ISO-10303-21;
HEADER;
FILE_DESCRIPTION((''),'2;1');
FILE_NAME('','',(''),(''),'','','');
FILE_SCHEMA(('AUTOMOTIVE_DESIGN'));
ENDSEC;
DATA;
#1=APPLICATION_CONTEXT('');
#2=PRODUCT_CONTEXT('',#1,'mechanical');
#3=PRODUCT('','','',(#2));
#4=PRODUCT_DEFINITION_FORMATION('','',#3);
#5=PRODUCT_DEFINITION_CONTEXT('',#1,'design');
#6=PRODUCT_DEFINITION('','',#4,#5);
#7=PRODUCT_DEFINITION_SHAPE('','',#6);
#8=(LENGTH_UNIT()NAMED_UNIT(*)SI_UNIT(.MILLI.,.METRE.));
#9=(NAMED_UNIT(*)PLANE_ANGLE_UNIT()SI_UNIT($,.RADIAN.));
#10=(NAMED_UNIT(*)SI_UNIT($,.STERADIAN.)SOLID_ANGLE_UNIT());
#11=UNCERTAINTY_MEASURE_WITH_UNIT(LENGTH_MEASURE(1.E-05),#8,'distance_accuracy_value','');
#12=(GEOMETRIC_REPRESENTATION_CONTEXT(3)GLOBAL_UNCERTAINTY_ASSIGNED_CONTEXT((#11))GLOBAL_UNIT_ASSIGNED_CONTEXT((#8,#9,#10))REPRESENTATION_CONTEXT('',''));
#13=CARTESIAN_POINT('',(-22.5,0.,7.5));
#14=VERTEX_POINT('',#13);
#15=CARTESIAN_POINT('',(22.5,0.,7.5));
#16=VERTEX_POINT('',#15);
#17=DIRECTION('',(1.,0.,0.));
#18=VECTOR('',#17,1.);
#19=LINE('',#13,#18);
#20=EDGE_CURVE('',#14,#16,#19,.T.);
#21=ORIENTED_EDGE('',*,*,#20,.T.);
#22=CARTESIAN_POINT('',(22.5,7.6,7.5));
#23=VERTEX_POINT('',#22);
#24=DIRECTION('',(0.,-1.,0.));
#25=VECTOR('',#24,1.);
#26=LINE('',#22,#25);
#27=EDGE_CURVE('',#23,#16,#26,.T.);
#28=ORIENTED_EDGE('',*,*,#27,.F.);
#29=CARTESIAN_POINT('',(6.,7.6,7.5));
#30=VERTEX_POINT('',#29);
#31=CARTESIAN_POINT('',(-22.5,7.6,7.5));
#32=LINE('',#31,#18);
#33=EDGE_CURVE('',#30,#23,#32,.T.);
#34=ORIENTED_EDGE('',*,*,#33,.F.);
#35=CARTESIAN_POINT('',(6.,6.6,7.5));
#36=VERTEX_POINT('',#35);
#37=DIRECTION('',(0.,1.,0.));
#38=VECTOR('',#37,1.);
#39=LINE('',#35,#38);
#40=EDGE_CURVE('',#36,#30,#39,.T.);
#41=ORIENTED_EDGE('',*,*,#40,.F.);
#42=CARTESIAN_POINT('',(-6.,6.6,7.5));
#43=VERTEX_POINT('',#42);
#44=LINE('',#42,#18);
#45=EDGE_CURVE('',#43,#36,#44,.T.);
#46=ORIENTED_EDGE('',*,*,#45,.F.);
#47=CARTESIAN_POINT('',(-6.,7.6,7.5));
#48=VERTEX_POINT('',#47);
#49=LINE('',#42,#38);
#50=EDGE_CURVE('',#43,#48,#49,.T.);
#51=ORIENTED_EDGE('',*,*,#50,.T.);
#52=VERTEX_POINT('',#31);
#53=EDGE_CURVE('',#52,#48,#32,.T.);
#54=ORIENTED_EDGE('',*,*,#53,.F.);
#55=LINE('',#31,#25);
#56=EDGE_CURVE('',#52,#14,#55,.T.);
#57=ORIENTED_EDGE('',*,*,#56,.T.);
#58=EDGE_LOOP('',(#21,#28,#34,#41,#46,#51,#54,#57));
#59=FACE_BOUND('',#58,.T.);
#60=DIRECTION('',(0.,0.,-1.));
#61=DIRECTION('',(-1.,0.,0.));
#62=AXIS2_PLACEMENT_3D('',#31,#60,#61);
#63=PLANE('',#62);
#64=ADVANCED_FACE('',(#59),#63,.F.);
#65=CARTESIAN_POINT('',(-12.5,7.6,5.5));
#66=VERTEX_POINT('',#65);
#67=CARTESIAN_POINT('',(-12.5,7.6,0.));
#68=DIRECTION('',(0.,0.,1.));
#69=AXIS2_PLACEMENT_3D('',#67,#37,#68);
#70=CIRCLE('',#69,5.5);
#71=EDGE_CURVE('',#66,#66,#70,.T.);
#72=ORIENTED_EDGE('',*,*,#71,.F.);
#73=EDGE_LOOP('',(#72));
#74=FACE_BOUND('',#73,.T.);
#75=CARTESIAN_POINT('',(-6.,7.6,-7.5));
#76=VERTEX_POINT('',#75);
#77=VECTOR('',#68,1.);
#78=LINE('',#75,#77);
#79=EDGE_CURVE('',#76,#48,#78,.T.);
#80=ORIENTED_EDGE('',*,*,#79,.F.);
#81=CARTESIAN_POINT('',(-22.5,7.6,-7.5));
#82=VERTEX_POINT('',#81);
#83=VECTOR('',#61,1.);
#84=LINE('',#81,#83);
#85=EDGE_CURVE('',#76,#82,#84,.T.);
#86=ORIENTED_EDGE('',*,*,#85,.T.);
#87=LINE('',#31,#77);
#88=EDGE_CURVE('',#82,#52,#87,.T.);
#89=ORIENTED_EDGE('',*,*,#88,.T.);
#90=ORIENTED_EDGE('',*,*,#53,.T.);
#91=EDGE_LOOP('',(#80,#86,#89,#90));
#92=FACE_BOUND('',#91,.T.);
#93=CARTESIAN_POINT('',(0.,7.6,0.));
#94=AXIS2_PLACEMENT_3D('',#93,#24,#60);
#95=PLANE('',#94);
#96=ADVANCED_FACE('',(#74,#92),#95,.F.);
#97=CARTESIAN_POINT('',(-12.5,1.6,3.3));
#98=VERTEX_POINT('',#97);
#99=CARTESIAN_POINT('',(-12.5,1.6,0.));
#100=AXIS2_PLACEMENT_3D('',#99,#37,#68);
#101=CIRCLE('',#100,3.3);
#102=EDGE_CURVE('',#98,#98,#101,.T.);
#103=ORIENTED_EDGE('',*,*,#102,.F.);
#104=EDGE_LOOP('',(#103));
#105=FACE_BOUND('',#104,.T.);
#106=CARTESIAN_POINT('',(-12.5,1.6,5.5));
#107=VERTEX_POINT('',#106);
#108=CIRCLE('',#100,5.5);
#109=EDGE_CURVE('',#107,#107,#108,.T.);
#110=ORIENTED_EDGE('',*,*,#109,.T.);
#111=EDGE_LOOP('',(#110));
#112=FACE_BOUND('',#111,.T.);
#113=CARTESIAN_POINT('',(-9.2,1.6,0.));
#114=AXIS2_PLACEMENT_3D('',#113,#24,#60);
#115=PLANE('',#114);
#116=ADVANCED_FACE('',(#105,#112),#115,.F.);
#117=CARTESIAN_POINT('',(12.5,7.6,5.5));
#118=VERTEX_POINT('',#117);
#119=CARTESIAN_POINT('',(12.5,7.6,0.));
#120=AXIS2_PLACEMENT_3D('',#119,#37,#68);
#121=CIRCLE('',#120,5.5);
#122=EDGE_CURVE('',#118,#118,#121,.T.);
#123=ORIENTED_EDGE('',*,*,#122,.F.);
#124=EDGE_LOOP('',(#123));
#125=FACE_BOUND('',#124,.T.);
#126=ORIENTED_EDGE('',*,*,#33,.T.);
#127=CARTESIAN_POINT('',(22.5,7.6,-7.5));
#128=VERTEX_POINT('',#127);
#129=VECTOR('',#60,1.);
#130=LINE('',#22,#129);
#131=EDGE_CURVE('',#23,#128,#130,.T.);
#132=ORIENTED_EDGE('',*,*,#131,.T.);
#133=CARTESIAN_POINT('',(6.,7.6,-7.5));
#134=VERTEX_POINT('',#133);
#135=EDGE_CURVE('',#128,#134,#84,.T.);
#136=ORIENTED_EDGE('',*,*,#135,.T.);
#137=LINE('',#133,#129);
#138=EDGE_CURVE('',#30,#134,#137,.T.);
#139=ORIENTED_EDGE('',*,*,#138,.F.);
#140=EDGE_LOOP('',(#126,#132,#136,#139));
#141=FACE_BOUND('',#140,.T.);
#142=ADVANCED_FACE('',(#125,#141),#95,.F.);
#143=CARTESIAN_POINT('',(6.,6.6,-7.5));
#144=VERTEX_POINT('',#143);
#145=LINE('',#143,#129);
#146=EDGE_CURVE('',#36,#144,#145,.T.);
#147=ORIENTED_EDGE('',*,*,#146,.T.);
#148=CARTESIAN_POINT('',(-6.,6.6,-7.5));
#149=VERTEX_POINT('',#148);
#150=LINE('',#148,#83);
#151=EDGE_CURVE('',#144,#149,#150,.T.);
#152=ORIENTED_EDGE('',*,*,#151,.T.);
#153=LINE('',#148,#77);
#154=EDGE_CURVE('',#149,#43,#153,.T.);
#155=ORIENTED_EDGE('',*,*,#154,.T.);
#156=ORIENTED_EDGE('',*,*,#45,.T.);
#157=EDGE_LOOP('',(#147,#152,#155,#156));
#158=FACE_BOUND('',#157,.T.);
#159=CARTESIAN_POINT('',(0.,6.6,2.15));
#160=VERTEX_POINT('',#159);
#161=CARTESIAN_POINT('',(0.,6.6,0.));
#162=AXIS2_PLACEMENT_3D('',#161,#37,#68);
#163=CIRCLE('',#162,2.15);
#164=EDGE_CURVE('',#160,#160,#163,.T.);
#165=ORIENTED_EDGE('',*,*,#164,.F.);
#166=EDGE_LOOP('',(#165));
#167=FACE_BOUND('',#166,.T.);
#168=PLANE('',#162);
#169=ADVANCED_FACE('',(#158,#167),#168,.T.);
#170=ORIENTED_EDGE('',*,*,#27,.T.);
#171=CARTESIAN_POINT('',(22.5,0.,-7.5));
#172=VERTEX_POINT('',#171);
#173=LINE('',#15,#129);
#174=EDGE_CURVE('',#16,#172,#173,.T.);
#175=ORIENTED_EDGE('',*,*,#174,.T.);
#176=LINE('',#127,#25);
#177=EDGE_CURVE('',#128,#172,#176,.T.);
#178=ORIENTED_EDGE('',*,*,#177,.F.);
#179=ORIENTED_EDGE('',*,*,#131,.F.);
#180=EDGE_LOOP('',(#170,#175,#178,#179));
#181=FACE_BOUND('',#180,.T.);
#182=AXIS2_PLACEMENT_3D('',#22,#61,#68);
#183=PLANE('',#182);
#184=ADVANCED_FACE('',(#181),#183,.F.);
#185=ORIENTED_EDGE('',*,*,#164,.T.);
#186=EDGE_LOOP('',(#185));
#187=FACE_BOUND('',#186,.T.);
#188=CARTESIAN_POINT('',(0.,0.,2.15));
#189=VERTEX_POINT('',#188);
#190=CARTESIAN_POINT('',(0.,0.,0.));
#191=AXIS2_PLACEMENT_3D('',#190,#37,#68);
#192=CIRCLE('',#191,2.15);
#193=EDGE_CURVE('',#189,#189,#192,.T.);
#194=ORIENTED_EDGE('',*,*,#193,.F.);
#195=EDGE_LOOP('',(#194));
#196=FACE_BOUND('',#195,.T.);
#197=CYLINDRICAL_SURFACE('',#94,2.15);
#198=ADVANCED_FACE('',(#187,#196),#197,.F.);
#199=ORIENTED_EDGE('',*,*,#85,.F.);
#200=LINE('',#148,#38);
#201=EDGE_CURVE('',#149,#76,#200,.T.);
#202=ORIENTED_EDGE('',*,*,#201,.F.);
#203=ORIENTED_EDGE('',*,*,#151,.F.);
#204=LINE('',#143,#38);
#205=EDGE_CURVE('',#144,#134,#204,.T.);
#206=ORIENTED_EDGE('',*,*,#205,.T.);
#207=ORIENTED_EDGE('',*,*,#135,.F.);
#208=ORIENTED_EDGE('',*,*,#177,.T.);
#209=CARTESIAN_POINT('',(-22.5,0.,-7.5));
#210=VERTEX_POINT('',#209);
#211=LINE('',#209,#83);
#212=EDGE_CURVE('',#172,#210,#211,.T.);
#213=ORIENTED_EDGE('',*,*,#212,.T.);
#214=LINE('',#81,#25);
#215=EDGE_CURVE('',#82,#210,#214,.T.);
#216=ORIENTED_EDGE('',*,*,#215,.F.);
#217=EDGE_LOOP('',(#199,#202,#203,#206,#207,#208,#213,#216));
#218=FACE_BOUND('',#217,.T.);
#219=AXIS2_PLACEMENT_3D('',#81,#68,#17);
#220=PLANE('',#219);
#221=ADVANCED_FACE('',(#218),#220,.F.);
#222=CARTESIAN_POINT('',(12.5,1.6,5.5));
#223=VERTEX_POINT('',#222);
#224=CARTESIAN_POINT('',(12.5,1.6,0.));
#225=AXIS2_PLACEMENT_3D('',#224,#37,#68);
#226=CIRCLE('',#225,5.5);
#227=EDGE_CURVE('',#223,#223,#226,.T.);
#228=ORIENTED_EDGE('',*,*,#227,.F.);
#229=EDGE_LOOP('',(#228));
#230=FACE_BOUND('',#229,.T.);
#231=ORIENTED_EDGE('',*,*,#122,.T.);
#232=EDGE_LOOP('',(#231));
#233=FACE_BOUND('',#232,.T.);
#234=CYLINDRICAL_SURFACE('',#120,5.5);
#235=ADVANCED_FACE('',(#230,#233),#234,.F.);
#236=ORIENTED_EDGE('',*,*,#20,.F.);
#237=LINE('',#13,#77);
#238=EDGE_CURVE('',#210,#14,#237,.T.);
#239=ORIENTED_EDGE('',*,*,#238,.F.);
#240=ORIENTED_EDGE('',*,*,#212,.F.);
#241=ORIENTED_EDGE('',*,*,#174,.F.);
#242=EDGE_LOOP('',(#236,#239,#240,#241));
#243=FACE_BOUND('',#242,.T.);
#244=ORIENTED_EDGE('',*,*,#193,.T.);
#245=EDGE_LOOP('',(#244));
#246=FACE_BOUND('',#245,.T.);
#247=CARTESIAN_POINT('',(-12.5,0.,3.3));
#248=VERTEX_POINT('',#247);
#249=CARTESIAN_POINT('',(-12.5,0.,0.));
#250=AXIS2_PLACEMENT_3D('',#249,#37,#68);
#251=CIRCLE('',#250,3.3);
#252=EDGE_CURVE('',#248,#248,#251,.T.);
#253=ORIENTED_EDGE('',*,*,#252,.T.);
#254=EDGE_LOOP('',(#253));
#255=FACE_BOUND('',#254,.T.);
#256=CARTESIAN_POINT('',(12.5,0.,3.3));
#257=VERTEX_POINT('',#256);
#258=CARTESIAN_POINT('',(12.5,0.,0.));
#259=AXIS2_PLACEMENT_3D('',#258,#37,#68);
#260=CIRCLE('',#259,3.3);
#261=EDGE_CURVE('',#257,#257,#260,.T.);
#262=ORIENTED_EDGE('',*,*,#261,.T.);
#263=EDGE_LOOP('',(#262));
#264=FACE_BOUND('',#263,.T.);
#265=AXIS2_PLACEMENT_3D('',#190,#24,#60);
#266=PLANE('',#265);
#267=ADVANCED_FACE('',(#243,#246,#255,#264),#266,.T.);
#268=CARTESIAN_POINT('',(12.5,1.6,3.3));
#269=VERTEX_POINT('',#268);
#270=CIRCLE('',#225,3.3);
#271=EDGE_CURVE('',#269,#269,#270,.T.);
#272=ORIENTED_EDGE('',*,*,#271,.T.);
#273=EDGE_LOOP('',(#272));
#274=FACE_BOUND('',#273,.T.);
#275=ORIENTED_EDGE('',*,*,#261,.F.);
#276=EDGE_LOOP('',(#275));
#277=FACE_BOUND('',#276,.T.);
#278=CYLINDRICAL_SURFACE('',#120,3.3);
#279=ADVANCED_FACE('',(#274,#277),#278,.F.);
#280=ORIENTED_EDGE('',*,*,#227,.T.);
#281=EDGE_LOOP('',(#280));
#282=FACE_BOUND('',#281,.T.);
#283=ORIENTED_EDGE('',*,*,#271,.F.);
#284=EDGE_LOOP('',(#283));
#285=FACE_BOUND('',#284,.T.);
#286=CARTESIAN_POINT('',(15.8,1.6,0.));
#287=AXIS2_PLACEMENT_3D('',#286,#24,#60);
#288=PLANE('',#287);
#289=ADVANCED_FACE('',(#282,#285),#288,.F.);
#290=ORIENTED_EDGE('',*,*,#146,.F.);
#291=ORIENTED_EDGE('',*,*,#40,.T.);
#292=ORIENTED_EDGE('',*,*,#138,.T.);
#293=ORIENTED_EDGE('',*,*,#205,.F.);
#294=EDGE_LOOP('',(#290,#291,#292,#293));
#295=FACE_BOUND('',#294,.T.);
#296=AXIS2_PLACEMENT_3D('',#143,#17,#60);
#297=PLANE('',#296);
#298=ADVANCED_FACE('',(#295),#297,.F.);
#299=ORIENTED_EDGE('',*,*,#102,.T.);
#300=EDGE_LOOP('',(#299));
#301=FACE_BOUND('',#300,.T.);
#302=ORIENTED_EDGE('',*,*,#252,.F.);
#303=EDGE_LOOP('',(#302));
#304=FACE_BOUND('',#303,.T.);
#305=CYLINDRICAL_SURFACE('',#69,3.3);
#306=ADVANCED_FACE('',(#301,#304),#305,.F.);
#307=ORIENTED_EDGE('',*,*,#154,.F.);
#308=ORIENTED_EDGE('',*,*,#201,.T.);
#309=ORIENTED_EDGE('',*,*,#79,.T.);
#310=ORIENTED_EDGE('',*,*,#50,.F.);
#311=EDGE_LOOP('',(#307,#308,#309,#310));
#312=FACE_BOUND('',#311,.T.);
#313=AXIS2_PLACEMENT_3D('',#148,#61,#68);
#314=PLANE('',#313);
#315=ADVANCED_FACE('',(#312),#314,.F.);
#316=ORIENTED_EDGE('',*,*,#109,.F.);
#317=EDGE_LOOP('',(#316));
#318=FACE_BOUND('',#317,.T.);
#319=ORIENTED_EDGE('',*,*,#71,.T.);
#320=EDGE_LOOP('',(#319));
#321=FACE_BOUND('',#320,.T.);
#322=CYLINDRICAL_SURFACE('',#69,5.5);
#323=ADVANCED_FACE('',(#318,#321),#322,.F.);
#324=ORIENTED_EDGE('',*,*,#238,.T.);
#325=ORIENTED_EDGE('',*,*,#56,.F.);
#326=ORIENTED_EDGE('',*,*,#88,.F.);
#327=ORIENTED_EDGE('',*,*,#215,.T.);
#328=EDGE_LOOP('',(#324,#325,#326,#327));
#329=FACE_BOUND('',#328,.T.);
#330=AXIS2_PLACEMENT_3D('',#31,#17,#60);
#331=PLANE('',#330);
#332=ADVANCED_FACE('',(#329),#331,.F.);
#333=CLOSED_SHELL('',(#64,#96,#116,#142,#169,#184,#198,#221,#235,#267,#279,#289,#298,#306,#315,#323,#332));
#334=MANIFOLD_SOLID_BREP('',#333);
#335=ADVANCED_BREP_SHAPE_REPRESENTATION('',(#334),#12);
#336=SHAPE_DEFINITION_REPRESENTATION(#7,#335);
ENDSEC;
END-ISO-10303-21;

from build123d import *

# Parameters (mm, degrees)
SKETCH1_W                      = 45
SKETCH1_H                      = 15
SKETCH1_R                      = 2.15
BOSS_EXTRUDE1_DEPTH            = 7.6
CBORE_FOR_M6_SHCS1_D           = 6.6
CBORE_FOR_M6_SHCS1_CBORE_D     = 11
CBORE_FOR_M6_SHCS1_CBORE_DEPTH = 6
SKETCH5_W                      = 12
SKETCH5_H                      = 15
CUT_EXTRUDE2_DEPTH             = 1


with BuildPart() as part:
    # Sketch1 → Boss-Extrude1 (new body)
    with BuildSketch(Plane(origin=(0, 0, 0), x_dir=(1, 0, 0), z_dir=(0, 1, 0))):
        Rectangle(SKETCH1_W, SKETCH1_H)
        Circle(SKETCH1_R, mode=Mode.SUBTRACT)
    extrude(amount=BOSS_EXTRUDE1_DEPTH)

    # CBORE for M6 SHCS1 (through all)
    with Locations(Plane(origin=(0, 7.6, 0), x_dir=(1, 0, 0), z_dir=(0, 1, 0))):
        with Locations((-12.5, 0), (12.5, 0)):
            CounterBoreHole(CBORE_FOR_M6_SHCS1_D / 2, CBORE_FOR_M6_SHCS1_CBORE_D / 2, CBORE_FOR_M6_SHCS1_CBORE_DEPTH)

    # Sketch5 → Cut-Extrude2 (cut)
    with BuildSketch(Plane(origin=(0, 7.6, 0), x_dir=(1, 0, 0), z_dir=(0, 1, 0))):
        Rectangle(SKETCH5_W, SKETCH5_H)
    extrude(amount=-CUT_EXTRUDE2_DEPTH, mode=Mode.SUBTRACT)


solid = part.part
